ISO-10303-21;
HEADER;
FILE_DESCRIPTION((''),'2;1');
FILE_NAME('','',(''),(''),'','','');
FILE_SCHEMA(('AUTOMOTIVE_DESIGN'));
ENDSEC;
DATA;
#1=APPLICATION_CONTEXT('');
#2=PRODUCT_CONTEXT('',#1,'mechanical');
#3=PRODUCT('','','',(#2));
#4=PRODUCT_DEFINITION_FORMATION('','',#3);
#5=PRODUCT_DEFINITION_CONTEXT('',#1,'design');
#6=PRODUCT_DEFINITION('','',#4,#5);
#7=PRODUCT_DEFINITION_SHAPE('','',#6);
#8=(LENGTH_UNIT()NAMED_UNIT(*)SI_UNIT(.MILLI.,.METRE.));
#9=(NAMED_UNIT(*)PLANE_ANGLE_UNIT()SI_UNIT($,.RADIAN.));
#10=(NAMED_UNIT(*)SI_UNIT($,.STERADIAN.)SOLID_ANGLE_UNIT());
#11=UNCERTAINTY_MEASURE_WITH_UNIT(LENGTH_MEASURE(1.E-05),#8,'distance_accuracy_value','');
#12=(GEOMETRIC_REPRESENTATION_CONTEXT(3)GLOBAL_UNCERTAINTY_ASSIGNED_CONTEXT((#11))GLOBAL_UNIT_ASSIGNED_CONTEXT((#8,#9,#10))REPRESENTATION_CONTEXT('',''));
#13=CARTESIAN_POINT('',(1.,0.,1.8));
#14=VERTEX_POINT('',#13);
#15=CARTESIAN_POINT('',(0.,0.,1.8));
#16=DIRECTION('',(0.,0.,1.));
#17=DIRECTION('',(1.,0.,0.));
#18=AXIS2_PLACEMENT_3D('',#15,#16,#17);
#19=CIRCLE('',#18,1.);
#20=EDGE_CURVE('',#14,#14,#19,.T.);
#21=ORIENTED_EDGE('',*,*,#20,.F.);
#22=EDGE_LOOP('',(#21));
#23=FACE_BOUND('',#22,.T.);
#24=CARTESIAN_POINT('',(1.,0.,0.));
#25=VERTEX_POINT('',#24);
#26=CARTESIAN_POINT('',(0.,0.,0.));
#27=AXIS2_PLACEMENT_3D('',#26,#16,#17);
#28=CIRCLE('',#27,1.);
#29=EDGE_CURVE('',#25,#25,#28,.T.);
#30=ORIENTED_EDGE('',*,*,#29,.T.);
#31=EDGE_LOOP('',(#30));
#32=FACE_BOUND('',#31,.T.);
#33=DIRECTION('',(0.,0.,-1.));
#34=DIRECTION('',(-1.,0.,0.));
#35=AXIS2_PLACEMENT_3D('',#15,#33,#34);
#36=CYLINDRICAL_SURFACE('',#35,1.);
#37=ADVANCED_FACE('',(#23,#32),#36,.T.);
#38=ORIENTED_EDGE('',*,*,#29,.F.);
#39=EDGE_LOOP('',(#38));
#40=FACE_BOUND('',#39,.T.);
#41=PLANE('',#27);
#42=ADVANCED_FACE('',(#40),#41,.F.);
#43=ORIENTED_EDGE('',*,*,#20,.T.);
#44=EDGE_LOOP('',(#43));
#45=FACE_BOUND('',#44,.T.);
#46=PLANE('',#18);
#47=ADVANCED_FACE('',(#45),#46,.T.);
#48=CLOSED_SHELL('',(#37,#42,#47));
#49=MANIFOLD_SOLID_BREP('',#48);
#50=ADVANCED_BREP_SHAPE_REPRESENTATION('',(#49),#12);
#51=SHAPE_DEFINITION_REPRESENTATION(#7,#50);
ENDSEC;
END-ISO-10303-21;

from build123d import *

# Parameters (mm, degrees)
CROQUIS1_R              = 1
SALIENTE_EXTRUIR1_DEPTH = 1.8


with BuildPart() as part:
    # Croquis1 → Saliente-Extruir1 (new body)
    with BuildSketch(Plane.XY):
        Circle(CROQUIS1_R)
    extrude(amount=SALIENTE_EXTRUIR1_DEPTH)


solid = part.part
